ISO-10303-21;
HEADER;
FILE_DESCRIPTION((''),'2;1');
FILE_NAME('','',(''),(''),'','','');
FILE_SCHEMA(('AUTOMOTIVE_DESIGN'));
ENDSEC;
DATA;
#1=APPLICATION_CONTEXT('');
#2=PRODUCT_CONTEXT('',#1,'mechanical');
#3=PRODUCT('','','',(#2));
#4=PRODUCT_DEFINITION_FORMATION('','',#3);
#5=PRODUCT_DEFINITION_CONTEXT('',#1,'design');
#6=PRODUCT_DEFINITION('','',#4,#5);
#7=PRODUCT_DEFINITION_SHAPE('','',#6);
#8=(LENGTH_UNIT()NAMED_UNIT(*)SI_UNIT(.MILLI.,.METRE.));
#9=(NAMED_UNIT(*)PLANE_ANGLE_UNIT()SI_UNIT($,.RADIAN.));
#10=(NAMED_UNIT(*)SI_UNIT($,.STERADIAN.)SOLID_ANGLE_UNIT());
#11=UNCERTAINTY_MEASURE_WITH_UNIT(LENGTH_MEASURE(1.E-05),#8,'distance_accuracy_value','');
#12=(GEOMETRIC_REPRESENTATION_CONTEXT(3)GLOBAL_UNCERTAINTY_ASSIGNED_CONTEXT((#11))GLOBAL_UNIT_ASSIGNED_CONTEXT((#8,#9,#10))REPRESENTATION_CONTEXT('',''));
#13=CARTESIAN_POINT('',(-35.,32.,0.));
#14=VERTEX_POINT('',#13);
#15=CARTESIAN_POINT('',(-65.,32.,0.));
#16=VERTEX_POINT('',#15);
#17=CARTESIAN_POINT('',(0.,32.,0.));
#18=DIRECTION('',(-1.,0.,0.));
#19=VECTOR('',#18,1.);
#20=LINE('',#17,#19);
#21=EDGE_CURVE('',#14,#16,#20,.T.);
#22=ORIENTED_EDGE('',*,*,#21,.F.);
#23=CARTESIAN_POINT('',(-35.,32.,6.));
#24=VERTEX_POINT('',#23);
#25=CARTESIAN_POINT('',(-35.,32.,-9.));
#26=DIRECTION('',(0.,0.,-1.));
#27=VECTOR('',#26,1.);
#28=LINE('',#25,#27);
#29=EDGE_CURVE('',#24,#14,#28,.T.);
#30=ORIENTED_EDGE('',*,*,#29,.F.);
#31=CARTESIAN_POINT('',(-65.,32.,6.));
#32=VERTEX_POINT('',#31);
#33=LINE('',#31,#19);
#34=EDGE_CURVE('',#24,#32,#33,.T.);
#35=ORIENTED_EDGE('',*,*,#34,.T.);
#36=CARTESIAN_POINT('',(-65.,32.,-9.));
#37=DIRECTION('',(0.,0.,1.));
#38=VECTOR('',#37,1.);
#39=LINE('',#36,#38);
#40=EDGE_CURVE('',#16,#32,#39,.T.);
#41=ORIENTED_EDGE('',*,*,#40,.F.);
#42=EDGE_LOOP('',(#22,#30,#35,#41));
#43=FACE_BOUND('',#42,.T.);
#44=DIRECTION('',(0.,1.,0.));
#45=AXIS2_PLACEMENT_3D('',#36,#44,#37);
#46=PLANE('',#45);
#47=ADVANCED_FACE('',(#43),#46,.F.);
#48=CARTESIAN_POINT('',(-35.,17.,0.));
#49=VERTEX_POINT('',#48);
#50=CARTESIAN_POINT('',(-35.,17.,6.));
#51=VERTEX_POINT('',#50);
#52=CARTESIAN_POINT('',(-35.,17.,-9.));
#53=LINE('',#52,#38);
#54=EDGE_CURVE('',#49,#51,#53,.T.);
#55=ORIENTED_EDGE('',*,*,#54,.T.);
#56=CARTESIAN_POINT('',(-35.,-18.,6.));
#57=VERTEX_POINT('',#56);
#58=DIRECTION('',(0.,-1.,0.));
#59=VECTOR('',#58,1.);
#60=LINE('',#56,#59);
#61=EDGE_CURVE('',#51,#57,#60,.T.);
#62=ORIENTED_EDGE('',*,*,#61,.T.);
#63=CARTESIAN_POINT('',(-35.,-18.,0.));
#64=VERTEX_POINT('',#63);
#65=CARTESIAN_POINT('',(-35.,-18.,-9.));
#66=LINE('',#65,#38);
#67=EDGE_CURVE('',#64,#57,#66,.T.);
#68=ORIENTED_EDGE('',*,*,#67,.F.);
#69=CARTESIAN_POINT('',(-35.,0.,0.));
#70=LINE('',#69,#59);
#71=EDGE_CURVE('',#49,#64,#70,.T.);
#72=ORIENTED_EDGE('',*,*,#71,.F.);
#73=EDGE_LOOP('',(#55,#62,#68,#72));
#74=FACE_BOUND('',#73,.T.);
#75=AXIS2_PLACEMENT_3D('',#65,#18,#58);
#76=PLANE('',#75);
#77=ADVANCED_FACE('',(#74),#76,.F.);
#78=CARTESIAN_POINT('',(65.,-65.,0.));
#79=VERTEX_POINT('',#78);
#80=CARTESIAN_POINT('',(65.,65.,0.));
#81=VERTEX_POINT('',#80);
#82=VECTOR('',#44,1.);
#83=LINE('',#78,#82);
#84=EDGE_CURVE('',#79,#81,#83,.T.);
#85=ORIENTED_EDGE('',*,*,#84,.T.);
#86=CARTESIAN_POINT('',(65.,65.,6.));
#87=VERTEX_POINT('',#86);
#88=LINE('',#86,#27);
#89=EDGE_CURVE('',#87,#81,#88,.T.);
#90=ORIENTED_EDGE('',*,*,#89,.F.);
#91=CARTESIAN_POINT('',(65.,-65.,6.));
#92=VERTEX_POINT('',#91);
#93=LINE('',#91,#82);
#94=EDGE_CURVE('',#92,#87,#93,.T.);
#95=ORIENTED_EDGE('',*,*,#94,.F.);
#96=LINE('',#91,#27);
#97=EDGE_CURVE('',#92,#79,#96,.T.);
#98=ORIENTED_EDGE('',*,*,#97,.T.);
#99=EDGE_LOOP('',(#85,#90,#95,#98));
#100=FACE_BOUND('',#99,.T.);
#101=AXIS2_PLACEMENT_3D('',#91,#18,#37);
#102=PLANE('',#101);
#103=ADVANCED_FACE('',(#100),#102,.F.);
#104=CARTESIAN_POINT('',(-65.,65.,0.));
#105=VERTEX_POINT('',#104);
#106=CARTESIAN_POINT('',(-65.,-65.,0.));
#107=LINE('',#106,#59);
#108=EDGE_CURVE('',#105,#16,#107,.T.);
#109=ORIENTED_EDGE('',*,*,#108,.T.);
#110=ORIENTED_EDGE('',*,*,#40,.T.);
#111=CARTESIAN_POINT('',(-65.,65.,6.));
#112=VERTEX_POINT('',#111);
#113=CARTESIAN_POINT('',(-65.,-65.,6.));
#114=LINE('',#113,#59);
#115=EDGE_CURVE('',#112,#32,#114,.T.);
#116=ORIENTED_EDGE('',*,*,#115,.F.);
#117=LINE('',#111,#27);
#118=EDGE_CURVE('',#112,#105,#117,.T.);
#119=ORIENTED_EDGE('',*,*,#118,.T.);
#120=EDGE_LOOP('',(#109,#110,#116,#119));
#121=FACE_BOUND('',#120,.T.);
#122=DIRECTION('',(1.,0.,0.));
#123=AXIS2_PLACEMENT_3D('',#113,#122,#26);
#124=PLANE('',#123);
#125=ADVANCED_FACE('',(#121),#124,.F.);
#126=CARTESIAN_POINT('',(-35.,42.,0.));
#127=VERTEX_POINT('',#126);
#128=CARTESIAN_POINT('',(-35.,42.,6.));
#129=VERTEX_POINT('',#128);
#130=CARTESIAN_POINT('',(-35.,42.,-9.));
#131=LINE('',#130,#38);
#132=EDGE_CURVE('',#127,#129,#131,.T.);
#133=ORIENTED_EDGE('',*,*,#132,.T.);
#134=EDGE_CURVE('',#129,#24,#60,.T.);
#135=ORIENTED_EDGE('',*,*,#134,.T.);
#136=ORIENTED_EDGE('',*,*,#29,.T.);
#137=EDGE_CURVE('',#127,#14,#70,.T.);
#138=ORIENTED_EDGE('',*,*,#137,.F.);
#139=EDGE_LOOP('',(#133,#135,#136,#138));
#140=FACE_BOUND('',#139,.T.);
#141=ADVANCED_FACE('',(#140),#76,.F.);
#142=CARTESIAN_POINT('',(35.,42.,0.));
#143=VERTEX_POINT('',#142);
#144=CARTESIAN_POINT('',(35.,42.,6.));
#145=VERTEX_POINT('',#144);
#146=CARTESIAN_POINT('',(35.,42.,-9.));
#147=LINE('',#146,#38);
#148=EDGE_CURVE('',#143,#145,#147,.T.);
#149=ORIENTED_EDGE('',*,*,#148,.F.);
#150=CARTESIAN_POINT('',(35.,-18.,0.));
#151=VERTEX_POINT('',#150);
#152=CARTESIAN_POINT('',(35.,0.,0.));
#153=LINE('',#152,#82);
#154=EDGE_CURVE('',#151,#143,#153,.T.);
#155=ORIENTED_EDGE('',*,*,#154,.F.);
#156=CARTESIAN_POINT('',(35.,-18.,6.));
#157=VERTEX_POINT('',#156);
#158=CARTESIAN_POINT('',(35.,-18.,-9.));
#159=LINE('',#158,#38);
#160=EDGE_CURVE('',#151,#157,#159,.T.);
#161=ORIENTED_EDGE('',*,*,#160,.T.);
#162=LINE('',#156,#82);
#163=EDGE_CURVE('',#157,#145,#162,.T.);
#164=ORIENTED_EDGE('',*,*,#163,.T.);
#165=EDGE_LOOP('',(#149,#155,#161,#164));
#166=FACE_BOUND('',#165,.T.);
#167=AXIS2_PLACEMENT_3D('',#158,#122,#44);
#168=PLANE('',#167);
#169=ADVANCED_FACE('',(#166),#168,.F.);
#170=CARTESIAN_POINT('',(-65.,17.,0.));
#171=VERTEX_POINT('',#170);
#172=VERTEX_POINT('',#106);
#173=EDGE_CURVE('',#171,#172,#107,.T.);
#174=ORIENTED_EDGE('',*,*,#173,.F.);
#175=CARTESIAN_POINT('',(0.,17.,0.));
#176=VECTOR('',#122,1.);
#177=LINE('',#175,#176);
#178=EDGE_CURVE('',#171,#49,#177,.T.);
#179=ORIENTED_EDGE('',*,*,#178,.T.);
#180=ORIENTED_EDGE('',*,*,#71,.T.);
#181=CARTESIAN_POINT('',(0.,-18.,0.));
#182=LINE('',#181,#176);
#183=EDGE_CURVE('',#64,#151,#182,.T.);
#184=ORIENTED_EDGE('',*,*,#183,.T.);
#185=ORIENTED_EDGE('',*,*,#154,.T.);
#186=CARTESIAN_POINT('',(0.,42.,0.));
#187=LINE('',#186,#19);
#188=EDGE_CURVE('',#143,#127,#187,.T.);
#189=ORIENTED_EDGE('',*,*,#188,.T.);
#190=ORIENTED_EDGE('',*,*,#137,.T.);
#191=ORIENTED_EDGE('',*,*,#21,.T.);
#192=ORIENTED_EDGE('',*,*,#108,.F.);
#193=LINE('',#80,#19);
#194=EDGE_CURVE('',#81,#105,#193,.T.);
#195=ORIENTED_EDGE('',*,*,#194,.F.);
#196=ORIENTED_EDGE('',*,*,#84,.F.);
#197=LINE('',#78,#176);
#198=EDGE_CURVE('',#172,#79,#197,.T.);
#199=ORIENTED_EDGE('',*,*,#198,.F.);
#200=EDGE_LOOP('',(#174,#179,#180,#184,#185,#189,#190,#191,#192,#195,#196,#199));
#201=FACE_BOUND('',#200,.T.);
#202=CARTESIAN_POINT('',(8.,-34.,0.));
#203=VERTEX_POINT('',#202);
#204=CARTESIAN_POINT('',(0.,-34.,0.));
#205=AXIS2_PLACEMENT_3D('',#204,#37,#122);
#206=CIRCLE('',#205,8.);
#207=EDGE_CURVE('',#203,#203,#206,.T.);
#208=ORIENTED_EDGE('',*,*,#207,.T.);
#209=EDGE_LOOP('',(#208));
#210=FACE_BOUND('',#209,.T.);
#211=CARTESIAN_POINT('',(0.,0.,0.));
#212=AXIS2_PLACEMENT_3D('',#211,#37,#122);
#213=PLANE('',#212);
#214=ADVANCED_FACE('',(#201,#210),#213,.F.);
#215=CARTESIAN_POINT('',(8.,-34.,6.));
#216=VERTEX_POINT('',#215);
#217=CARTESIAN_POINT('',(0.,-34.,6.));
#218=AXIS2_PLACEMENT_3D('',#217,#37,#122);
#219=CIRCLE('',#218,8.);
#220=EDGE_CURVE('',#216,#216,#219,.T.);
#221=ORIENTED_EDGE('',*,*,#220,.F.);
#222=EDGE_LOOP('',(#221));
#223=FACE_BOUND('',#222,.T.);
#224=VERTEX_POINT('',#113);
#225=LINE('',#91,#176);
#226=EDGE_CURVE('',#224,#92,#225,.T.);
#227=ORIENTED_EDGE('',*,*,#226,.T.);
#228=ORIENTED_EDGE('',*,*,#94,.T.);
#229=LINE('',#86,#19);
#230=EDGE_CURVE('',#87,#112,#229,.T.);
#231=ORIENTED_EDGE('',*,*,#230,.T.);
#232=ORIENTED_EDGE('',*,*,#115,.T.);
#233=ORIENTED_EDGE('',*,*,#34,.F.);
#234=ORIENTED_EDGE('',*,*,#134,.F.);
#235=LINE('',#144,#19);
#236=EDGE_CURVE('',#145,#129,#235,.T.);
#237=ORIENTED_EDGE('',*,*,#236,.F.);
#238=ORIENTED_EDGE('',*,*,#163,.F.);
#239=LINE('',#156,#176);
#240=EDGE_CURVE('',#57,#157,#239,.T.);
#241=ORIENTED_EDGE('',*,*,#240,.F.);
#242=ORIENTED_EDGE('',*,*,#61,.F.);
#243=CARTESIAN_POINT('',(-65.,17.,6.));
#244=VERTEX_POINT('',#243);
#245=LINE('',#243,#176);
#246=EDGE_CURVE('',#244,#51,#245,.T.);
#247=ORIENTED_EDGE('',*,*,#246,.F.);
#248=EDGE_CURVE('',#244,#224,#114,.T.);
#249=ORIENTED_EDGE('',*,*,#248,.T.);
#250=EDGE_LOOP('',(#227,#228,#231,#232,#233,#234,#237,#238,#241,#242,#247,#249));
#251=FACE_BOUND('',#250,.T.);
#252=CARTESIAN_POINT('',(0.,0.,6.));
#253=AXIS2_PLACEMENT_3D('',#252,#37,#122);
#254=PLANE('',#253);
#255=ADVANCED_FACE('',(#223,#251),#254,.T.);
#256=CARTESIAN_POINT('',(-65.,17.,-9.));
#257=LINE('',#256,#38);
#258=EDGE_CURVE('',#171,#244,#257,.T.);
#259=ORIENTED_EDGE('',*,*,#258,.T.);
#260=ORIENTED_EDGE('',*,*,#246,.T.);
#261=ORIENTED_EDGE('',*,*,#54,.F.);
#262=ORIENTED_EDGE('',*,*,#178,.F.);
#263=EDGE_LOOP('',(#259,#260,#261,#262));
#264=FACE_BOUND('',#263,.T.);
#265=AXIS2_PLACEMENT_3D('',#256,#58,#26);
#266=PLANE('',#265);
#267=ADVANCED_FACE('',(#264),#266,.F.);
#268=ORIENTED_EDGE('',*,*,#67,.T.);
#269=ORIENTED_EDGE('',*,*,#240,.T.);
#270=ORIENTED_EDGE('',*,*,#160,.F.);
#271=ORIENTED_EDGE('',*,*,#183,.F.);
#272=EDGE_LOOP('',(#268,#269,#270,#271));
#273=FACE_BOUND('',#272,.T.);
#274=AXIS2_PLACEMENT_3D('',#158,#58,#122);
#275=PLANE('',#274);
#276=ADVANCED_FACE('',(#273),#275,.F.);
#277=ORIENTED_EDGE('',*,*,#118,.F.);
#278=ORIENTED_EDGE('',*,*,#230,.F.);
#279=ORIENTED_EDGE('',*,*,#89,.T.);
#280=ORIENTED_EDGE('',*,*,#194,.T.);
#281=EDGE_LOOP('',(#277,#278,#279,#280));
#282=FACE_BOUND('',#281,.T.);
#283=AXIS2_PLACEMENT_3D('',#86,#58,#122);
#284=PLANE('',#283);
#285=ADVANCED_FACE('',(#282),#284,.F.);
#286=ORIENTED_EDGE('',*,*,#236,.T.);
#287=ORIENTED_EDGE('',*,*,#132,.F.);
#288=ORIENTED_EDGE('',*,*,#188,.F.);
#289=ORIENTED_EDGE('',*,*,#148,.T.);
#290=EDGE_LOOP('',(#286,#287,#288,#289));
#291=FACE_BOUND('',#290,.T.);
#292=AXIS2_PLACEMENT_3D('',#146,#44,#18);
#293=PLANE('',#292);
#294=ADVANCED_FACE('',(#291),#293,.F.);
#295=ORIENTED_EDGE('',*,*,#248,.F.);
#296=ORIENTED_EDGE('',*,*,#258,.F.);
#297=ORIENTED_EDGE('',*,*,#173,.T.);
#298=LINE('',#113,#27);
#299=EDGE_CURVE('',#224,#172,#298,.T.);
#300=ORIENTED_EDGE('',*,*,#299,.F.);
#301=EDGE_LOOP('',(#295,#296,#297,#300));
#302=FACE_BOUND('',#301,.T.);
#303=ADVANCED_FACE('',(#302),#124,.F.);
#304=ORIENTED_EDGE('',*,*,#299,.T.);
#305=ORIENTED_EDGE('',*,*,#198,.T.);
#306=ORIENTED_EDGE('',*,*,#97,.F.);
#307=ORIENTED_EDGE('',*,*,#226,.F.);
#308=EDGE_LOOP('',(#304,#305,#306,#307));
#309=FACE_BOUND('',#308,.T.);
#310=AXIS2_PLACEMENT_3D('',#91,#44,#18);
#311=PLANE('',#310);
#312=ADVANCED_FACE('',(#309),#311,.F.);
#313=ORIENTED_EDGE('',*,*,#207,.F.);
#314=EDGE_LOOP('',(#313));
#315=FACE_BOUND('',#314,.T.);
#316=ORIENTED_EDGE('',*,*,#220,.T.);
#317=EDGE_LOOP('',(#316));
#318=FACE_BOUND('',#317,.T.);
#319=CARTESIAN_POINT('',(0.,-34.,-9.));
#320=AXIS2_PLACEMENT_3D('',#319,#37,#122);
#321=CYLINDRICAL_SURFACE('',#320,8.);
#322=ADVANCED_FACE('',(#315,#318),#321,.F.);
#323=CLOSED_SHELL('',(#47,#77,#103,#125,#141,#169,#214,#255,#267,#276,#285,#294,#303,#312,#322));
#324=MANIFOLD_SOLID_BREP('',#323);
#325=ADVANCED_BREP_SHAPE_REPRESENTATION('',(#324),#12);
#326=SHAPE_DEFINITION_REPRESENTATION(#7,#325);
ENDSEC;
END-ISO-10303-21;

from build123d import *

# Parameters (mm, degrees)
SCHIZZO1_W                   = 130
SCHIZZO1_H                   = 130
ESTRUSIONE_ESTRUSIONE1_DEPTH = 6
SCHIZZO2_W                   = 70
SCHIZZO2_H                   = 60
TAGLIO_ESTRUSIONE1_DEPTH     = 15
SCHIZZO3_R                   = 8
TAGLIO_ESTRUSIONE2_DEPTH     = 15
SCHIZZO4_W                   = 30
SCHIZZO4_H                   = 15
TAGLIO_ESTRUSIONE3_DEPTH     = 15


with BuildPart() as part:
    # Schizzo1 → Estrusione-Estrusione1 (new body)
    with BuildSketch(Plane.XY):
        Rectangle(SCHIZZO1_W, SCHIZZO1_H)
    extrude(amount=ESTRUSIONE_ESTRUSIONE1_DEPTH)

    # Schizzo2 → Taglio-Estrusione1 (cut)
    with BuildSketch(Plane.XY.offset(6)):
        with Locations((0, 12)):
            Rectangle(SCHIZZO2_W, SCHIZZO2_H)
    extrude(amount=-TAGLIO_ESTRUSIONE1_DEPTH, mode=Mode.SUBTRACT)

    # Schizzo3 → Taglio-Estrusione2 (cut)
    with BuildSketch(Plane.XY.offset(6)):
        with Locations((0, -34)):
            Circle(SCHIZZO3_R)
    extrude(amount=-TAGLIO_ESTRUSIONE2_DEPTH, mode=Mode.SUBTRACT)

    # Schizzo4 → Taglio-Estrusione3 (cut)
    with BuildSketch(Plane.XY.offset(6)):
        with Locations((-50, 24.5)):
            Rectangle(SCHIZZO4_W, SCHIZZO4_H)
    extrude(amount=-TAGLIO_ESTRUSIONE3_DEPTH, mode=Mode.SUBTRACT)


solid = part.part
